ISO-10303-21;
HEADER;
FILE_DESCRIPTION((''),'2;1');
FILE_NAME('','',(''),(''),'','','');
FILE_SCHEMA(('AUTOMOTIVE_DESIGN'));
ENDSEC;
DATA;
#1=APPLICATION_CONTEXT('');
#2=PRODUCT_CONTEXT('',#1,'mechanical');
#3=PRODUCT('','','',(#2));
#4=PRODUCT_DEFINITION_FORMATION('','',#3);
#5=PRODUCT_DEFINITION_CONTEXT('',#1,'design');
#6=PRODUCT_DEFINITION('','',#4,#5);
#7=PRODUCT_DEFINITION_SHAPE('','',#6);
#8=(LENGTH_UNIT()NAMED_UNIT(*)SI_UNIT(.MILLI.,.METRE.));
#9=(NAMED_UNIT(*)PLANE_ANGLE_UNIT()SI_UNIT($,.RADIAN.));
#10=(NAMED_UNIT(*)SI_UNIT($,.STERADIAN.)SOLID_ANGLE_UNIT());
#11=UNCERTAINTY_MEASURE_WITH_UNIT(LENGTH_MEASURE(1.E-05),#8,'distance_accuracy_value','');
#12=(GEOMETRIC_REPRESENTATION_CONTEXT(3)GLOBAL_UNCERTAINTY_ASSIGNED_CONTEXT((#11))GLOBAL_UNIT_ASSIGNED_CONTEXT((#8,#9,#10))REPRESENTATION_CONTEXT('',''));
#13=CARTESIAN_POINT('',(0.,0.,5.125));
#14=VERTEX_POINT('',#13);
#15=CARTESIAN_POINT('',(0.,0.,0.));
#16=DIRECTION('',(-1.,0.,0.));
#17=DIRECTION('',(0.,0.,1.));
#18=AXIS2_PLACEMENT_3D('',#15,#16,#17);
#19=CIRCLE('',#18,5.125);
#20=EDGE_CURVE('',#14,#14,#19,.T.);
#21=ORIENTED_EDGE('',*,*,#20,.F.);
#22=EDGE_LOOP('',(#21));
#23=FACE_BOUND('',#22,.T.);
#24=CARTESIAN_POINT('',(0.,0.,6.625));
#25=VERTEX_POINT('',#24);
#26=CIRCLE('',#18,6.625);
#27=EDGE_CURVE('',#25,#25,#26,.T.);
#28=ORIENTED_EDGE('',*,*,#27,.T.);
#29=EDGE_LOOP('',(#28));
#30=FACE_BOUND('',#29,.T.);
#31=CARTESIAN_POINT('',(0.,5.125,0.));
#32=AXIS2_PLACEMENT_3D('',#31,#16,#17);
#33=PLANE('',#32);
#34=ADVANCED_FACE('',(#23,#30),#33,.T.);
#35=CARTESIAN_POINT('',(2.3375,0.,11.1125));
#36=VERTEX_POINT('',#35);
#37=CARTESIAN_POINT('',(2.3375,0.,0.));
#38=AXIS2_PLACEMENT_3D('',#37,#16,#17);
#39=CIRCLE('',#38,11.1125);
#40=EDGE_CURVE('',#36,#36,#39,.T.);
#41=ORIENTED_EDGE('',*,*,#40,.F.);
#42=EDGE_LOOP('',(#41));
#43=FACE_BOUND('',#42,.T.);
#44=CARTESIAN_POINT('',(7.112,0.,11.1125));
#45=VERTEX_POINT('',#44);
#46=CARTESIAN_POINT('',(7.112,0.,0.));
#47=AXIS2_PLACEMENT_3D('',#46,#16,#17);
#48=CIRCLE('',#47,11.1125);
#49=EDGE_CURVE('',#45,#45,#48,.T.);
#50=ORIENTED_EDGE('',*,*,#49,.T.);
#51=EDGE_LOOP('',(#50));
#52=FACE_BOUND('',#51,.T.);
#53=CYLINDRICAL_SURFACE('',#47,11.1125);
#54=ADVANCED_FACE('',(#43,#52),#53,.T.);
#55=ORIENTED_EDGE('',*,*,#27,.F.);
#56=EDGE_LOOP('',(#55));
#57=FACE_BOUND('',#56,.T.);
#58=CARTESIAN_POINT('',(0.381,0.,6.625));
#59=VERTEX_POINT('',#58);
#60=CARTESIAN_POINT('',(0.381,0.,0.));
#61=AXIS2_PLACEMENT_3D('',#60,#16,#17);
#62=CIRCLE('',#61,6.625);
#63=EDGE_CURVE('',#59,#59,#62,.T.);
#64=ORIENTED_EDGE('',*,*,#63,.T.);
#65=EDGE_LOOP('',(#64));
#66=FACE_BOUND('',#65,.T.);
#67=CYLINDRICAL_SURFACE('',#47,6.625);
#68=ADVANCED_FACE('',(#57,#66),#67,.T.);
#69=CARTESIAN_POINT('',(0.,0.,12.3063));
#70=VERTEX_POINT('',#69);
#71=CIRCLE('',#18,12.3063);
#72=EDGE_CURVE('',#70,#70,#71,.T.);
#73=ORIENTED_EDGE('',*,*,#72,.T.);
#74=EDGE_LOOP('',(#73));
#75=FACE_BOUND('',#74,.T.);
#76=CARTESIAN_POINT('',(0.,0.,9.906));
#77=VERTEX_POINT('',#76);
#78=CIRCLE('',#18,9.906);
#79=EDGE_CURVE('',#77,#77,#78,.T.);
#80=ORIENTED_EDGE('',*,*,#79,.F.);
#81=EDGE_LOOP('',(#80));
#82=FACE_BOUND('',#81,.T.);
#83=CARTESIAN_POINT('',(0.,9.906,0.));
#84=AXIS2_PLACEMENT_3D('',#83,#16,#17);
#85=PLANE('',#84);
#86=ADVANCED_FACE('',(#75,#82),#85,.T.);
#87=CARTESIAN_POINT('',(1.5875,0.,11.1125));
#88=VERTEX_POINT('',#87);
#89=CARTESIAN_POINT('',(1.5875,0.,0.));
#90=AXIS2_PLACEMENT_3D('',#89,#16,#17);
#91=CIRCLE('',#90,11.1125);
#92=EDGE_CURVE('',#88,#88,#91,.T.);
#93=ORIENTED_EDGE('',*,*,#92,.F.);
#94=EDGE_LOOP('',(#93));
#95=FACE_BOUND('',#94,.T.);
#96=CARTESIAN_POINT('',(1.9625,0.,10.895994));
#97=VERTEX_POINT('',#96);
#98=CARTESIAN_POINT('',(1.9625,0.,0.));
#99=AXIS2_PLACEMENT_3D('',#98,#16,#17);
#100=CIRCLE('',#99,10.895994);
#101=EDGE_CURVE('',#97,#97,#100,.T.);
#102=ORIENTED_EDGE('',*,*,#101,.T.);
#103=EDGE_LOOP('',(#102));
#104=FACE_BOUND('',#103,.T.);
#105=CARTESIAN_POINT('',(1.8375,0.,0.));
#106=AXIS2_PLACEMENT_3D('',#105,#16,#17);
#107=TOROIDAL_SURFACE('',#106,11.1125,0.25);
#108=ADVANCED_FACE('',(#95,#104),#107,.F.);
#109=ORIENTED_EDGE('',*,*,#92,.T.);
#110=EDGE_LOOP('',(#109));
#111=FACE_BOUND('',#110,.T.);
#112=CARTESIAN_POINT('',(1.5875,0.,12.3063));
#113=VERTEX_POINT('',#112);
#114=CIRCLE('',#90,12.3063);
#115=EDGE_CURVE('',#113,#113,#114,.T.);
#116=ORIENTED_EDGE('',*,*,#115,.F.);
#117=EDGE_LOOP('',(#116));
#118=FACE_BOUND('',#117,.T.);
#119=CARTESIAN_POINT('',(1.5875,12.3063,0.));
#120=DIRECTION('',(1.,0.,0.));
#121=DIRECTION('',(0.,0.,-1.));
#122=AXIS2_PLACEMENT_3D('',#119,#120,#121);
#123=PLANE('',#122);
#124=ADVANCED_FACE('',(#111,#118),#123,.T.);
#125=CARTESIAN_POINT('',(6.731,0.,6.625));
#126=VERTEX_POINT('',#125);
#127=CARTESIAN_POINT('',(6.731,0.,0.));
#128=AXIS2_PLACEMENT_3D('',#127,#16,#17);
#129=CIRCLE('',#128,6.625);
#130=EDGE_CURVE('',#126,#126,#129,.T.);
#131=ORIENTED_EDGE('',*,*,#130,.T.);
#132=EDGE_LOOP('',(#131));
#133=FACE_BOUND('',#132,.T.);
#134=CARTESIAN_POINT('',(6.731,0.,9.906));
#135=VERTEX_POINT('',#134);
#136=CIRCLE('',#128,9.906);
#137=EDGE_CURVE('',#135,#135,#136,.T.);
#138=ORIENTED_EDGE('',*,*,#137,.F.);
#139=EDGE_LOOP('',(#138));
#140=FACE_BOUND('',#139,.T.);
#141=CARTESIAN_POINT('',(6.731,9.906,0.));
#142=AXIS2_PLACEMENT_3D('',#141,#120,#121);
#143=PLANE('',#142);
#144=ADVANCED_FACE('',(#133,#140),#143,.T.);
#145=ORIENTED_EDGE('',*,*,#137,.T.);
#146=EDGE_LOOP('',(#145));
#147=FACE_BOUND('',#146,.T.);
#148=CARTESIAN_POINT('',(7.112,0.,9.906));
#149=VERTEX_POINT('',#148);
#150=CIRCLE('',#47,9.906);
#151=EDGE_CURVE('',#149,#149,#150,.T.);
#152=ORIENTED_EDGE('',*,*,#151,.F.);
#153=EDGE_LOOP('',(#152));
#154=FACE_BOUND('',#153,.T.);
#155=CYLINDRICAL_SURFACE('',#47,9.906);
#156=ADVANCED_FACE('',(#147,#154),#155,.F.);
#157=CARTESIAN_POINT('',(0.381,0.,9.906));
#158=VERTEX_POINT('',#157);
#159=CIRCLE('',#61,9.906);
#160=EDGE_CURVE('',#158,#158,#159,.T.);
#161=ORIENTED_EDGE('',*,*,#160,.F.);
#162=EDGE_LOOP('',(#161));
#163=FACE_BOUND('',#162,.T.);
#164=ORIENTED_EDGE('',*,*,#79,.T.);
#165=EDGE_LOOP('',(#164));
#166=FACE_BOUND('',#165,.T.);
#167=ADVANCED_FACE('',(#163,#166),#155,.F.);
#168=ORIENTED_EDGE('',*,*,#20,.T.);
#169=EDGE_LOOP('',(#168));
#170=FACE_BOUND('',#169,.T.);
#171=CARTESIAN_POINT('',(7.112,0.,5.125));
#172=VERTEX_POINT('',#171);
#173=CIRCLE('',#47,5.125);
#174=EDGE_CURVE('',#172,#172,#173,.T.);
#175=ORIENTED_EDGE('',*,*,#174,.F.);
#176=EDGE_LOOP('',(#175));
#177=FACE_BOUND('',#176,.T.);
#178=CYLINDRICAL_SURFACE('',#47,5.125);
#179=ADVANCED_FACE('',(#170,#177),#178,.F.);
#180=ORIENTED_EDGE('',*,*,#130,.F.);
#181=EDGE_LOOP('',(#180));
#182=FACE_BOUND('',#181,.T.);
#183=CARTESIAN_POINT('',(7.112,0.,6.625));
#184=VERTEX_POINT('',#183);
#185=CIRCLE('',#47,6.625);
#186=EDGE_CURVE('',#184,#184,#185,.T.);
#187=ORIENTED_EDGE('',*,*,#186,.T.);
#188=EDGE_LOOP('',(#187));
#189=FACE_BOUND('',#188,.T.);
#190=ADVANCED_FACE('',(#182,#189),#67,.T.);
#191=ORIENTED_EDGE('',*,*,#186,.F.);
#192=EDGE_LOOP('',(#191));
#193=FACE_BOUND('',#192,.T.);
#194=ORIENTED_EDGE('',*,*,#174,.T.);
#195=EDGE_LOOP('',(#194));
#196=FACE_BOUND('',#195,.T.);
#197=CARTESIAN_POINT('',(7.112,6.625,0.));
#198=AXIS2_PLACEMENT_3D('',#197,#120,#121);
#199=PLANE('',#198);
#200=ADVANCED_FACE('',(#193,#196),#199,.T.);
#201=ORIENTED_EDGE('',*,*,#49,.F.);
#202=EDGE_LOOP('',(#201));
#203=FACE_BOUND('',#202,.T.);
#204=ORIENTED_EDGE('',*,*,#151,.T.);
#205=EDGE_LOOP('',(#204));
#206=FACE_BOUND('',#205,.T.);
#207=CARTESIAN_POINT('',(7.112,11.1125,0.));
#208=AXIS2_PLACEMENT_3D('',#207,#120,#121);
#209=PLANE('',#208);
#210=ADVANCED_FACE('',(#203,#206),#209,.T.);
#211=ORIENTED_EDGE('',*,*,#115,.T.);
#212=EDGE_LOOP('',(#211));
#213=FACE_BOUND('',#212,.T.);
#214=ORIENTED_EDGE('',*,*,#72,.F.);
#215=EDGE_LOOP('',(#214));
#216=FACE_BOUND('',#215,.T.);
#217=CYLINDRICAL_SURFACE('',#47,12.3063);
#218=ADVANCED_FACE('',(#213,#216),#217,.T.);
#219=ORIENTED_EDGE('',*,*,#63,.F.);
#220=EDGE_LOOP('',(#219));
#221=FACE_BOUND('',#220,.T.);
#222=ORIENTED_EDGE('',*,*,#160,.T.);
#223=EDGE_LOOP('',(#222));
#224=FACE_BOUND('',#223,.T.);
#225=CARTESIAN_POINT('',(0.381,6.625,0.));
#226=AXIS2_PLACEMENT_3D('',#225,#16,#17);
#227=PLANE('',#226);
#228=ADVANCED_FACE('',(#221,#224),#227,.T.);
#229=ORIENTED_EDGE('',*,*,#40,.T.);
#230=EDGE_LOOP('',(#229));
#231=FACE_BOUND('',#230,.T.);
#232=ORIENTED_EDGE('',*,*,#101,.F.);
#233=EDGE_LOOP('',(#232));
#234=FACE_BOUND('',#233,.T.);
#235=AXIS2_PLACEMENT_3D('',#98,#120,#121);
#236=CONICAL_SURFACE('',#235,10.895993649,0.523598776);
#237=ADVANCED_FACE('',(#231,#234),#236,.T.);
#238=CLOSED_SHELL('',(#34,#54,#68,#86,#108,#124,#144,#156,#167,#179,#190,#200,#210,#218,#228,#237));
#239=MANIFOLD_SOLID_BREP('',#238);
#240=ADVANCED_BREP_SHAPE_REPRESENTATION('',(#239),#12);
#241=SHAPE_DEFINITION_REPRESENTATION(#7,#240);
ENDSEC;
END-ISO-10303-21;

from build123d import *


with BuildPart() as part:
    # Sketch1 → Revolve1 (revolve)
    with BuildSketch(Plane(origin=(0, 0, 0), x_dir=(-1, 0, 0), z_dir=(0, 0, -1))):
        with BuildLine():
            Line((-2.3375, 11.1125), (-7.112, 11.1125))
            Line((-7.112, 11.1125), (-7.112, 9.906))
            Line((-7.112, 9.906), (-6.731, 9.906))
            Line((-6.731, 9.906), (-6.731, 6.625))
            Line((-6.731, 6.625), (-7.112, 6.625))
            Line((-7.112, 6.625), (-7.112, 5.125))
            Line((-7.112, 5.125), (0, 5.125))
            Line((0, 5.125), (0, 6.625))
            Line((0, 6.625), (-0.381, 6.625))
            Line((-0.381, 6.625), (-0.381, 9.906))
            Line((-0.381, 9.906), (0, 9.906))
            Line((0, 9.906), (0, 12.3063))
            Line((0, 12.3063), (-1.5875, 12.3063))
            Line((-1.5875, 12.3063), (-1.5875, 11.1125))
            ThreePointArc((-1.5875, 11.1125), (-1.7125, 10.895993649), (-1.9625, 10.895993649))
            Line((-1.9625, 10.895993649), (-2.3375, 11.1125))
        make_face()
    revolve(axis=Axis((7.112, 0, 0), (-1, 0, 0)))


solid = part.part
